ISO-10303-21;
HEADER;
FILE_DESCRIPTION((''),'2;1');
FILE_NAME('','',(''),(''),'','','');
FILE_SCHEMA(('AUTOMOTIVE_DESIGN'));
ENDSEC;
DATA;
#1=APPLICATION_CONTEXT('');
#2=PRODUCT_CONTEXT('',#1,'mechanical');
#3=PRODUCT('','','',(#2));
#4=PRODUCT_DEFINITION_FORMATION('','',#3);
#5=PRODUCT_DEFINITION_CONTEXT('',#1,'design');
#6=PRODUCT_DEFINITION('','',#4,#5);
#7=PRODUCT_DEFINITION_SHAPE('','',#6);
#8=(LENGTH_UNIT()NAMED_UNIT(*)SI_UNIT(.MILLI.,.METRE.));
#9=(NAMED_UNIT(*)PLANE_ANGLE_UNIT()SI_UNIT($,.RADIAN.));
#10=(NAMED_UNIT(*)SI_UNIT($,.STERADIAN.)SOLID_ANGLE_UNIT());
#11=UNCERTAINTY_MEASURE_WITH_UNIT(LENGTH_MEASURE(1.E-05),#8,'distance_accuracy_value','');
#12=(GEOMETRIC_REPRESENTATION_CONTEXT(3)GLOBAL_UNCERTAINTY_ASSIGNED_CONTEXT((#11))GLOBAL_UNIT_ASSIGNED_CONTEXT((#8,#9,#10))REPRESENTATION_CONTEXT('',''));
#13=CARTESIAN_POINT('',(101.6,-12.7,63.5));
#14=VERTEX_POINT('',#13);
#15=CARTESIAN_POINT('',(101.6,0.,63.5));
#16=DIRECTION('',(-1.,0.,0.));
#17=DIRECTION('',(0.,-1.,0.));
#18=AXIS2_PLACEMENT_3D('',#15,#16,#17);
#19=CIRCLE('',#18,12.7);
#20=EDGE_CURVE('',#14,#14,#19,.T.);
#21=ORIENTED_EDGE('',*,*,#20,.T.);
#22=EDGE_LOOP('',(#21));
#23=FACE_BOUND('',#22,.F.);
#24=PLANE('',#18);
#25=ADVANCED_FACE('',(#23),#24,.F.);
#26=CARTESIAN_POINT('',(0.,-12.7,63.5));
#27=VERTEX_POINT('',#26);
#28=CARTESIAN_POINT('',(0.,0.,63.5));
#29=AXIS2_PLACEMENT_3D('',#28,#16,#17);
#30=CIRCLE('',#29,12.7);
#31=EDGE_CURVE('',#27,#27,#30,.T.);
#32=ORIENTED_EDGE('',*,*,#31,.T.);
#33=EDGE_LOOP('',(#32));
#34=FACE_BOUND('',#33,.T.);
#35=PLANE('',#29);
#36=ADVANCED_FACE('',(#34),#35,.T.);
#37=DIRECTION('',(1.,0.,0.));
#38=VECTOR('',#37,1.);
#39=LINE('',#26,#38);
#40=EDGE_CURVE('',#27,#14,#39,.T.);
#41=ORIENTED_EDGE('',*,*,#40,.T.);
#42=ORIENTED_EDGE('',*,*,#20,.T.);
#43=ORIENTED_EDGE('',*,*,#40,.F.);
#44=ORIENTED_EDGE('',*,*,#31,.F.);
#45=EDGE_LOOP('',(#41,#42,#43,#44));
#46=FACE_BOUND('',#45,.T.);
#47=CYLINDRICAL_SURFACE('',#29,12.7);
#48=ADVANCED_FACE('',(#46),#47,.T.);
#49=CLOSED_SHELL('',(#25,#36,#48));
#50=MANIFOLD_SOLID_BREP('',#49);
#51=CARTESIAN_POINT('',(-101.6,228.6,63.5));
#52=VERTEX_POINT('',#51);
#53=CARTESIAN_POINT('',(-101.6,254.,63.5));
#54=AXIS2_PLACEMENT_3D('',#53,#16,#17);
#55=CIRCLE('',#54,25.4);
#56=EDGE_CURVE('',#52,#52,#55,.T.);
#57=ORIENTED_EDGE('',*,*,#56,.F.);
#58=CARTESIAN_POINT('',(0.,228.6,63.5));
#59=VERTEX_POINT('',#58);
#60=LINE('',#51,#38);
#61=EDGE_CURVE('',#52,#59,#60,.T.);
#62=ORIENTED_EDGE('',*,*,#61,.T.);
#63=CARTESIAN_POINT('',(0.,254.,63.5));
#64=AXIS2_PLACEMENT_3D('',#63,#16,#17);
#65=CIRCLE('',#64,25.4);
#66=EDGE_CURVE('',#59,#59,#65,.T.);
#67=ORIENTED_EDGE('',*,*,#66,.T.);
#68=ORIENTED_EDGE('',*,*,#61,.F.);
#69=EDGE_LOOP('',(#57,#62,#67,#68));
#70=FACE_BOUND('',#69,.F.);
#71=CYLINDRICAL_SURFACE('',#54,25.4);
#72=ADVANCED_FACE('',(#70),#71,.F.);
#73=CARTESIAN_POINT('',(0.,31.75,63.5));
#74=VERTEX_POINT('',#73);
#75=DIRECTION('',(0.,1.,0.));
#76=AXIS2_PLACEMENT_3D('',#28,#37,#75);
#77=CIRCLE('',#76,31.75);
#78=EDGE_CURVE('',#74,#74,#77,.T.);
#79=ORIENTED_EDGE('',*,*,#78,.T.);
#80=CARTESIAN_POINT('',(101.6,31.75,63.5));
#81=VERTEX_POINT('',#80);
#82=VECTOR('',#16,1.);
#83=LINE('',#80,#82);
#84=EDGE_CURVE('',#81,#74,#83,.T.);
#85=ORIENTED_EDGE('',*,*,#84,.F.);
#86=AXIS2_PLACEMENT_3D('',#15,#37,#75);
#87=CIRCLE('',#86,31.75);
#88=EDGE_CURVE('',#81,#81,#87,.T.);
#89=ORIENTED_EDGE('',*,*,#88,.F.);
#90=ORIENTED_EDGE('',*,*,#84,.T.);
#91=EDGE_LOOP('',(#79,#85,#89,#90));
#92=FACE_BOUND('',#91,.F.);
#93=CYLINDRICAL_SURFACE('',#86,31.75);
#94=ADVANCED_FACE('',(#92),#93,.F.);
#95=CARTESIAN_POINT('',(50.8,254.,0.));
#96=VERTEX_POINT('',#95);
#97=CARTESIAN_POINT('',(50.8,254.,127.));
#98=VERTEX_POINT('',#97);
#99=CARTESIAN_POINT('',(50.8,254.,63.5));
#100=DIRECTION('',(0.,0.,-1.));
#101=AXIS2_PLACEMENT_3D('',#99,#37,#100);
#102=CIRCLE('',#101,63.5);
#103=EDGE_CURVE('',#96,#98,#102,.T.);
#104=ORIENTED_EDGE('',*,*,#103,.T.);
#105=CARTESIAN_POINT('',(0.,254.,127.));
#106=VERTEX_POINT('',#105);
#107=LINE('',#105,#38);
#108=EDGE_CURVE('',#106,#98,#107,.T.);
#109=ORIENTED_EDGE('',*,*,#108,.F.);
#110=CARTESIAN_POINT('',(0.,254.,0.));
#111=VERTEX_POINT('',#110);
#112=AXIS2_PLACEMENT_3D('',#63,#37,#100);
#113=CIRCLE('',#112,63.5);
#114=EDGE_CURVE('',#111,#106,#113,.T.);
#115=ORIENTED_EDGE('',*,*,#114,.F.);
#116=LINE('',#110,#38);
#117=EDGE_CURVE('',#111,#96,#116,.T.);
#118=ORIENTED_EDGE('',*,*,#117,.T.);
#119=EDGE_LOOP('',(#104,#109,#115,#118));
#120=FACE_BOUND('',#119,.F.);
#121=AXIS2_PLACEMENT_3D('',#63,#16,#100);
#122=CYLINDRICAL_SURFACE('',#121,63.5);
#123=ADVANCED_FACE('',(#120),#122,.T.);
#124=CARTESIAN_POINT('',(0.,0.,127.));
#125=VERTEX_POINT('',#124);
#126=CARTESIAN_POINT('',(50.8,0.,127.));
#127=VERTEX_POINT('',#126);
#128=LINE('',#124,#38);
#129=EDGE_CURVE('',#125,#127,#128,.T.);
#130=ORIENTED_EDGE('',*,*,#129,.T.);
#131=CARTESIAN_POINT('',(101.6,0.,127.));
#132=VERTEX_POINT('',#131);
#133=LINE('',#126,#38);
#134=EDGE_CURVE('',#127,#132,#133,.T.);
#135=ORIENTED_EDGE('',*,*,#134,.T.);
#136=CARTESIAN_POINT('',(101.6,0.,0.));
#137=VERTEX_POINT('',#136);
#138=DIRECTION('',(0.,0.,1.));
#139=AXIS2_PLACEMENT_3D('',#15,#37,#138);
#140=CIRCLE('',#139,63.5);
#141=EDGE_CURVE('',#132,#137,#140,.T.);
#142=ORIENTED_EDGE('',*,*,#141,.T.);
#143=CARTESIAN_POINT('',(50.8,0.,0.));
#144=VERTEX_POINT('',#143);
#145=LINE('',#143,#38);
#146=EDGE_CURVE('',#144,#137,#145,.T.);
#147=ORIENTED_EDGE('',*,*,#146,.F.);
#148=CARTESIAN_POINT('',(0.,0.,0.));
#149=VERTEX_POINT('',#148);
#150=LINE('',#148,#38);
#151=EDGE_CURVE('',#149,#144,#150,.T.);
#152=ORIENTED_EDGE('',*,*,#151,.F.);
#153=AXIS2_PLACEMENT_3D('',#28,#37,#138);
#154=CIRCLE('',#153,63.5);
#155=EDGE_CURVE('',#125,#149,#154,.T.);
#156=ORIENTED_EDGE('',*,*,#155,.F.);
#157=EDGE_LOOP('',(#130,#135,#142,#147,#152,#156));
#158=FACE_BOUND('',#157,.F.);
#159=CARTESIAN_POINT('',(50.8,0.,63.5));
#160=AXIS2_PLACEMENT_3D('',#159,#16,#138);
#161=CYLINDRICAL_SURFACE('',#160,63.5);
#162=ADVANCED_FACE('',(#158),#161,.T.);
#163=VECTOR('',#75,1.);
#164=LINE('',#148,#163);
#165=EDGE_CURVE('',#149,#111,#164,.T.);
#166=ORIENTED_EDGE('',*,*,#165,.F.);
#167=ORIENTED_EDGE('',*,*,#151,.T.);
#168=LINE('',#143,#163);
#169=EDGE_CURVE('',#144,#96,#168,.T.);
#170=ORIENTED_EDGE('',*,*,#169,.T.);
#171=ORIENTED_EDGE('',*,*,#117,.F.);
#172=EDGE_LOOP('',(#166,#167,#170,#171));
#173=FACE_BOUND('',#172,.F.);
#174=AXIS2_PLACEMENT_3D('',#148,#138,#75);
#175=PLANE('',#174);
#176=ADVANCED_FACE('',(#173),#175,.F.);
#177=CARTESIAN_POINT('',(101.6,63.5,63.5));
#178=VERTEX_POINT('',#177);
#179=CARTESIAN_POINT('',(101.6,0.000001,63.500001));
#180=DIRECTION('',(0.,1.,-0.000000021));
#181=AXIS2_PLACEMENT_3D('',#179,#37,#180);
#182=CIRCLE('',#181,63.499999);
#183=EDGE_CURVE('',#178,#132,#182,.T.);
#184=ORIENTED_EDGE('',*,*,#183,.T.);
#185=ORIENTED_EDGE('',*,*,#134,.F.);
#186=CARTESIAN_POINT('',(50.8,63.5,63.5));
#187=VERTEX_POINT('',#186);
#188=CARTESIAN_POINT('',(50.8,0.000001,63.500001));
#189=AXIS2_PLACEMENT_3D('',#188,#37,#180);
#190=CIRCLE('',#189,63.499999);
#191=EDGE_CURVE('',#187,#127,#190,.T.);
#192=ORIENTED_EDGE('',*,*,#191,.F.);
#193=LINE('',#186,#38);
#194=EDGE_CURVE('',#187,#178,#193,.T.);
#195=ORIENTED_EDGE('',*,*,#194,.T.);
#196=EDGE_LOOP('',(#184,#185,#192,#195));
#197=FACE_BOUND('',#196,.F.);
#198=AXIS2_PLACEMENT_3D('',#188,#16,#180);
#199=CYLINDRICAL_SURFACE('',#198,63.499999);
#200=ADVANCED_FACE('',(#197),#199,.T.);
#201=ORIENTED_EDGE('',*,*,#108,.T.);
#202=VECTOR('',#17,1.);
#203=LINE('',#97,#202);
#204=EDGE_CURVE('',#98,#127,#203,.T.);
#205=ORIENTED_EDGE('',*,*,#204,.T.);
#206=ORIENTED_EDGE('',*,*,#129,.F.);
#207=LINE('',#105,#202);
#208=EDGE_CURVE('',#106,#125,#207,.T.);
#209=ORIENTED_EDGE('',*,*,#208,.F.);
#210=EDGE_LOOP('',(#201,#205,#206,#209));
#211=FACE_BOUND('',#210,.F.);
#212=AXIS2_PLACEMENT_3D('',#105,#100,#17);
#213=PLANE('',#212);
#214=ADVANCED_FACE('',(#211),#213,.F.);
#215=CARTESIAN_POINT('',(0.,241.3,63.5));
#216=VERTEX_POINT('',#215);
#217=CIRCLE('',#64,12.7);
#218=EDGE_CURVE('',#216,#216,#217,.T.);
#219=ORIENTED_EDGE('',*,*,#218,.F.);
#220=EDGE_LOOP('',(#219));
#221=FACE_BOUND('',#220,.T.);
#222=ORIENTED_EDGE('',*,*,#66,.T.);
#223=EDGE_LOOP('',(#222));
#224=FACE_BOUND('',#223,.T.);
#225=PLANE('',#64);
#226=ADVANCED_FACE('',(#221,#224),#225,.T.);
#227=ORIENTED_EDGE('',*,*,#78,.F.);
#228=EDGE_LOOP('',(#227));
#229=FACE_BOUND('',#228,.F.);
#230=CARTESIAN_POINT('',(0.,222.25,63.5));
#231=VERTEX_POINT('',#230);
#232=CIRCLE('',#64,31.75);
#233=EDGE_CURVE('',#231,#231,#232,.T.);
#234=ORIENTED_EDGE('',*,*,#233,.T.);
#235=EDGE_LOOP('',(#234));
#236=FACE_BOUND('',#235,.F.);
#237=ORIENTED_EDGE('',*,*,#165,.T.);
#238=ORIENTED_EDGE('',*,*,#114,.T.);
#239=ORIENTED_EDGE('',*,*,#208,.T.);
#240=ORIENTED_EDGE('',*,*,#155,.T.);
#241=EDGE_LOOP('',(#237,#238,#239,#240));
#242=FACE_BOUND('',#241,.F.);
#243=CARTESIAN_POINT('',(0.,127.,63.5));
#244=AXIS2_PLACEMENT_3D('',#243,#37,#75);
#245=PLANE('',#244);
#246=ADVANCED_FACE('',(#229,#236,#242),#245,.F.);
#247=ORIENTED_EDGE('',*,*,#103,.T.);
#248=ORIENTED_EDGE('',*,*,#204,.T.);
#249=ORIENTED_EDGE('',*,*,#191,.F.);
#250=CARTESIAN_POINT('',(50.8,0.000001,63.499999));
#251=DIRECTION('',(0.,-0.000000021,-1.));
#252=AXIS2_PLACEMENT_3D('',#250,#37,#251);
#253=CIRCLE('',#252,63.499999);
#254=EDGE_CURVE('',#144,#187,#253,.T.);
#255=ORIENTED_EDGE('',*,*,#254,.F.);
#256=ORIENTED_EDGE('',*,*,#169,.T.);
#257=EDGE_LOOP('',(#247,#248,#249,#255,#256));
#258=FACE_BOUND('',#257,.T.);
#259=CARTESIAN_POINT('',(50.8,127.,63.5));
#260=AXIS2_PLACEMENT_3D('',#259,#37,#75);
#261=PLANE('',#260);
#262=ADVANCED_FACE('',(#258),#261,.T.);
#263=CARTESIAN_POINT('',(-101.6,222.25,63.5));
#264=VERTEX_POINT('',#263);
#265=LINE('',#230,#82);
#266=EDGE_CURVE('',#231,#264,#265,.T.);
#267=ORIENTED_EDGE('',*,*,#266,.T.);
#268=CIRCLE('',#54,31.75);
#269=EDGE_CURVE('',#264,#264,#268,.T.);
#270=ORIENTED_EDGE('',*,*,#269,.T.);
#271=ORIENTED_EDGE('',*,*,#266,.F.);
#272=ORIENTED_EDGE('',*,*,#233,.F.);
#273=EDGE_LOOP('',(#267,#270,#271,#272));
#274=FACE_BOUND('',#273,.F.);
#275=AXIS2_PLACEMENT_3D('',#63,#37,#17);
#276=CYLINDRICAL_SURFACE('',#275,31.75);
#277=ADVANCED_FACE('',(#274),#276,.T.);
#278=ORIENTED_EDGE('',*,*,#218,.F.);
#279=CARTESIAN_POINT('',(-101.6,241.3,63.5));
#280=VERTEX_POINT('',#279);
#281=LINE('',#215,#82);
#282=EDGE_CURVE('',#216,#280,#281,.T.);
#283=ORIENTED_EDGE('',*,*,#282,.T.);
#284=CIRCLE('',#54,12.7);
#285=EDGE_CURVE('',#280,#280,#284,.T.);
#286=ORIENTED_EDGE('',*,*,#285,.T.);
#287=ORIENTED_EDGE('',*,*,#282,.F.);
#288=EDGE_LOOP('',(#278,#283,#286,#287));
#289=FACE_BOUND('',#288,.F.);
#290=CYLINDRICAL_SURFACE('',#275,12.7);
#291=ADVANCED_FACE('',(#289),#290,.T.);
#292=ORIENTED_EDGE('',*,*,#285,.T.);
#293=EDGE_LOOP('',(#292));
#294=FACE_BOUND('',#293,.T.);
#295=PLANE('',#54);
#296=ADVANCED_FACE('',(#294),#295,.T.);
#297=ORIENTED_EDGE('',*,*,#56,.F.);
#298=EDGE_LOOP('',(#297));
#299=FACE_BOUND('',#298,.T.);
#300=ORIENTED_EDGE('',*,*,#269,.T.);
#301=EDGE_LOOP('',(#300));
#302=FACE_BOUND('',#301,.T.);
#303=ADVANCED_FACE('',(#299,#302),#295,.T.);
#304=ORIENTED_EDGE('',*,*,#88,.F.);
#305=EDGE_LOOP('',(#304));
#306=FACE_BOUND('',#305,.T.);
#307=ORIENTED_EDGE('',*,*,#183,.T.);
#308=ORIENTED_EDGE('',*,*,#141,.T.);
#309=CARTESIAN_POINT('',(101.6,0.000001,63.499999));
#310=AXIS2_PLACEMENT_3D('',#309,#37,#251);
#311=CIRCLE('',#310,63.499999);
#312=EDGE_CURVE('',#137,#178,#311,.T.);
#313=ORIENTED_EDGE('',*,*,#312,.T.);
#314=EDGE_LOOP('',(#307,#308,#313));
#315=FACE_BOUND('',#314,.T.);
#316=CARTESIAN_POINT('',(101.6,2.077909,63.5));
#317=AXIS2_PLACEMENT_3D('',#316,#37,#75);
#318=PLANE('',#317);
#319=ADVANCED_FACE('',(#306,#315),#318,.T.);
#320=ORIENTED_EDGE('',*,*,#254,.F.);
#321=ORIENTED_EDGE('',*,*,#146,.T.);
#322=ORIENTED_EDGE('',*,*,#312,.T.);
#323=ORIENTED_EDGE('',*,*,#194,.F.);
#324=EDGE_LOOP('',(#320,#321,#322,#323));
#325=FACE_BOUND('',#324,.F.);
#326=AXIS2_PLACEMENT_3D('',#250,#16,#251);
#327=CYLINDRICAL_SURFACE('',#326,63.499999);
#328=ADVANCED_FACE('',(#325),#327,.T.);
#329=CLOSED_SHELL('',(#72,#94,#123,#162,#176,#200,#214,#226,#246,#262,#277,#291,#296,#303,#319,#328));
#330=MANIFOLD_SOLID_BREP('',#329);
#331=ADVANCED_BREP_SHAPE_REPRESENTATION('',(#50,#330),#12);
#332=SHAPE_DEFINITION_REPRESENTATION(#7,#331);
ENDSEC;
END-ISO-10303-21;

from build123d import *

# Parameters (mm, degrees)
F1_DEPTH  = 50.8
F3_DEPTH  = 50.8
F4_R      = 31.75
F5_DEPTH  = 101.601
F6_R      = 31.75
F7_DEPTH  = 101.6
F8_R      = 25.4
F9_DEPTH  = 101.6
F10_R     = 12.7
F11_DEPTH = 101.6
F12_R     = 12.7
F13_DEPTH = 101.6


with BuildPart() as f1:
    # F0 (on Right) → F1 (new body)
    with BuildSketch(Plane.YZ):
        with BuildLine():
            ThreePointArc((0, 127), (-63.5, 63.5), (0, 0))
            Line((0, 0), (254, 0))
            ThreePointArc((254, 0), (317.5, 63.5), (254, 127))
            Line((254, 127), (0, 127))
        make_face()
    extrude(amount=F1_DEPTH)

    # F2 (on face) → F3 (join)
    with BuildSketch(Plane.YZ.offset(50.8)):
        with BuildLine():
            ThreePointArc((0, 0), (44.901281, 18.598719), (63.5, 63.5))
            ThreePointArc((63.5, 63.5), (44.901281, 108.401281), (0, 127))
            ThreePointArc((0, 127), (-63.5, 63.5), (0, 0))
        make_face()
    extrude(amount=F3_DEPTH)

    # F4 (on face) → F5 (cut, through all)
    with BuildSketch(Plane.YZ.offset(101.6)):
        with Locations((0, 63.5)):
            Circle(F4_R)
    extrude(amount=-F5_DEPTH, mode=Mode.SUBTRACT)

    # F6 (on face) → F7 (join)
    with BuildSketch(Plane(origin=(0, 0, 0), x_dir=(0, -1, 0), z_dir=(-1, 0, 0))):
        with Locations((-254, 63.5)):
            Circle(F6_R)
    extrude(amount=F7_DEPTH)

    # F8 (on face) → F9 (cut, through all)
    with BuildSketch(Plane(origin=(-101.6, 0, 0), x_dir=(0, -1, 0), z_dir=(-1, 0, 0))):
        with Locations((-254, 63.5)):
            Circle(F8_R)
    extrude(amount=-F9_DEPTH, mode=Mode.SUBTRACT)

    # F10 (on face) → F11 (join)
    with BuildSketch(Plane(origin=(0, 0, 0), x_dir=(0, -1, 0), z_dir=(-1, 0, 0))):
        with Locations((-254, 63.5)):
            Circle(F10_R)
    extrude(amount=F11_DEPTH)


with BuildPart() as f13:
    # F12 (on face) → F13 (new body)
    with BuildSketch(Plane(origin=(0, 0, 0), x_dir=(0, -1, 0), z_dir=(-1, 0, 0))):
        with Locations((0, 63.5)):
            Circle(F12_R)
    extrude(amount=-F13_DEPTH)


solid = Compound([f1.part, f13.part])
